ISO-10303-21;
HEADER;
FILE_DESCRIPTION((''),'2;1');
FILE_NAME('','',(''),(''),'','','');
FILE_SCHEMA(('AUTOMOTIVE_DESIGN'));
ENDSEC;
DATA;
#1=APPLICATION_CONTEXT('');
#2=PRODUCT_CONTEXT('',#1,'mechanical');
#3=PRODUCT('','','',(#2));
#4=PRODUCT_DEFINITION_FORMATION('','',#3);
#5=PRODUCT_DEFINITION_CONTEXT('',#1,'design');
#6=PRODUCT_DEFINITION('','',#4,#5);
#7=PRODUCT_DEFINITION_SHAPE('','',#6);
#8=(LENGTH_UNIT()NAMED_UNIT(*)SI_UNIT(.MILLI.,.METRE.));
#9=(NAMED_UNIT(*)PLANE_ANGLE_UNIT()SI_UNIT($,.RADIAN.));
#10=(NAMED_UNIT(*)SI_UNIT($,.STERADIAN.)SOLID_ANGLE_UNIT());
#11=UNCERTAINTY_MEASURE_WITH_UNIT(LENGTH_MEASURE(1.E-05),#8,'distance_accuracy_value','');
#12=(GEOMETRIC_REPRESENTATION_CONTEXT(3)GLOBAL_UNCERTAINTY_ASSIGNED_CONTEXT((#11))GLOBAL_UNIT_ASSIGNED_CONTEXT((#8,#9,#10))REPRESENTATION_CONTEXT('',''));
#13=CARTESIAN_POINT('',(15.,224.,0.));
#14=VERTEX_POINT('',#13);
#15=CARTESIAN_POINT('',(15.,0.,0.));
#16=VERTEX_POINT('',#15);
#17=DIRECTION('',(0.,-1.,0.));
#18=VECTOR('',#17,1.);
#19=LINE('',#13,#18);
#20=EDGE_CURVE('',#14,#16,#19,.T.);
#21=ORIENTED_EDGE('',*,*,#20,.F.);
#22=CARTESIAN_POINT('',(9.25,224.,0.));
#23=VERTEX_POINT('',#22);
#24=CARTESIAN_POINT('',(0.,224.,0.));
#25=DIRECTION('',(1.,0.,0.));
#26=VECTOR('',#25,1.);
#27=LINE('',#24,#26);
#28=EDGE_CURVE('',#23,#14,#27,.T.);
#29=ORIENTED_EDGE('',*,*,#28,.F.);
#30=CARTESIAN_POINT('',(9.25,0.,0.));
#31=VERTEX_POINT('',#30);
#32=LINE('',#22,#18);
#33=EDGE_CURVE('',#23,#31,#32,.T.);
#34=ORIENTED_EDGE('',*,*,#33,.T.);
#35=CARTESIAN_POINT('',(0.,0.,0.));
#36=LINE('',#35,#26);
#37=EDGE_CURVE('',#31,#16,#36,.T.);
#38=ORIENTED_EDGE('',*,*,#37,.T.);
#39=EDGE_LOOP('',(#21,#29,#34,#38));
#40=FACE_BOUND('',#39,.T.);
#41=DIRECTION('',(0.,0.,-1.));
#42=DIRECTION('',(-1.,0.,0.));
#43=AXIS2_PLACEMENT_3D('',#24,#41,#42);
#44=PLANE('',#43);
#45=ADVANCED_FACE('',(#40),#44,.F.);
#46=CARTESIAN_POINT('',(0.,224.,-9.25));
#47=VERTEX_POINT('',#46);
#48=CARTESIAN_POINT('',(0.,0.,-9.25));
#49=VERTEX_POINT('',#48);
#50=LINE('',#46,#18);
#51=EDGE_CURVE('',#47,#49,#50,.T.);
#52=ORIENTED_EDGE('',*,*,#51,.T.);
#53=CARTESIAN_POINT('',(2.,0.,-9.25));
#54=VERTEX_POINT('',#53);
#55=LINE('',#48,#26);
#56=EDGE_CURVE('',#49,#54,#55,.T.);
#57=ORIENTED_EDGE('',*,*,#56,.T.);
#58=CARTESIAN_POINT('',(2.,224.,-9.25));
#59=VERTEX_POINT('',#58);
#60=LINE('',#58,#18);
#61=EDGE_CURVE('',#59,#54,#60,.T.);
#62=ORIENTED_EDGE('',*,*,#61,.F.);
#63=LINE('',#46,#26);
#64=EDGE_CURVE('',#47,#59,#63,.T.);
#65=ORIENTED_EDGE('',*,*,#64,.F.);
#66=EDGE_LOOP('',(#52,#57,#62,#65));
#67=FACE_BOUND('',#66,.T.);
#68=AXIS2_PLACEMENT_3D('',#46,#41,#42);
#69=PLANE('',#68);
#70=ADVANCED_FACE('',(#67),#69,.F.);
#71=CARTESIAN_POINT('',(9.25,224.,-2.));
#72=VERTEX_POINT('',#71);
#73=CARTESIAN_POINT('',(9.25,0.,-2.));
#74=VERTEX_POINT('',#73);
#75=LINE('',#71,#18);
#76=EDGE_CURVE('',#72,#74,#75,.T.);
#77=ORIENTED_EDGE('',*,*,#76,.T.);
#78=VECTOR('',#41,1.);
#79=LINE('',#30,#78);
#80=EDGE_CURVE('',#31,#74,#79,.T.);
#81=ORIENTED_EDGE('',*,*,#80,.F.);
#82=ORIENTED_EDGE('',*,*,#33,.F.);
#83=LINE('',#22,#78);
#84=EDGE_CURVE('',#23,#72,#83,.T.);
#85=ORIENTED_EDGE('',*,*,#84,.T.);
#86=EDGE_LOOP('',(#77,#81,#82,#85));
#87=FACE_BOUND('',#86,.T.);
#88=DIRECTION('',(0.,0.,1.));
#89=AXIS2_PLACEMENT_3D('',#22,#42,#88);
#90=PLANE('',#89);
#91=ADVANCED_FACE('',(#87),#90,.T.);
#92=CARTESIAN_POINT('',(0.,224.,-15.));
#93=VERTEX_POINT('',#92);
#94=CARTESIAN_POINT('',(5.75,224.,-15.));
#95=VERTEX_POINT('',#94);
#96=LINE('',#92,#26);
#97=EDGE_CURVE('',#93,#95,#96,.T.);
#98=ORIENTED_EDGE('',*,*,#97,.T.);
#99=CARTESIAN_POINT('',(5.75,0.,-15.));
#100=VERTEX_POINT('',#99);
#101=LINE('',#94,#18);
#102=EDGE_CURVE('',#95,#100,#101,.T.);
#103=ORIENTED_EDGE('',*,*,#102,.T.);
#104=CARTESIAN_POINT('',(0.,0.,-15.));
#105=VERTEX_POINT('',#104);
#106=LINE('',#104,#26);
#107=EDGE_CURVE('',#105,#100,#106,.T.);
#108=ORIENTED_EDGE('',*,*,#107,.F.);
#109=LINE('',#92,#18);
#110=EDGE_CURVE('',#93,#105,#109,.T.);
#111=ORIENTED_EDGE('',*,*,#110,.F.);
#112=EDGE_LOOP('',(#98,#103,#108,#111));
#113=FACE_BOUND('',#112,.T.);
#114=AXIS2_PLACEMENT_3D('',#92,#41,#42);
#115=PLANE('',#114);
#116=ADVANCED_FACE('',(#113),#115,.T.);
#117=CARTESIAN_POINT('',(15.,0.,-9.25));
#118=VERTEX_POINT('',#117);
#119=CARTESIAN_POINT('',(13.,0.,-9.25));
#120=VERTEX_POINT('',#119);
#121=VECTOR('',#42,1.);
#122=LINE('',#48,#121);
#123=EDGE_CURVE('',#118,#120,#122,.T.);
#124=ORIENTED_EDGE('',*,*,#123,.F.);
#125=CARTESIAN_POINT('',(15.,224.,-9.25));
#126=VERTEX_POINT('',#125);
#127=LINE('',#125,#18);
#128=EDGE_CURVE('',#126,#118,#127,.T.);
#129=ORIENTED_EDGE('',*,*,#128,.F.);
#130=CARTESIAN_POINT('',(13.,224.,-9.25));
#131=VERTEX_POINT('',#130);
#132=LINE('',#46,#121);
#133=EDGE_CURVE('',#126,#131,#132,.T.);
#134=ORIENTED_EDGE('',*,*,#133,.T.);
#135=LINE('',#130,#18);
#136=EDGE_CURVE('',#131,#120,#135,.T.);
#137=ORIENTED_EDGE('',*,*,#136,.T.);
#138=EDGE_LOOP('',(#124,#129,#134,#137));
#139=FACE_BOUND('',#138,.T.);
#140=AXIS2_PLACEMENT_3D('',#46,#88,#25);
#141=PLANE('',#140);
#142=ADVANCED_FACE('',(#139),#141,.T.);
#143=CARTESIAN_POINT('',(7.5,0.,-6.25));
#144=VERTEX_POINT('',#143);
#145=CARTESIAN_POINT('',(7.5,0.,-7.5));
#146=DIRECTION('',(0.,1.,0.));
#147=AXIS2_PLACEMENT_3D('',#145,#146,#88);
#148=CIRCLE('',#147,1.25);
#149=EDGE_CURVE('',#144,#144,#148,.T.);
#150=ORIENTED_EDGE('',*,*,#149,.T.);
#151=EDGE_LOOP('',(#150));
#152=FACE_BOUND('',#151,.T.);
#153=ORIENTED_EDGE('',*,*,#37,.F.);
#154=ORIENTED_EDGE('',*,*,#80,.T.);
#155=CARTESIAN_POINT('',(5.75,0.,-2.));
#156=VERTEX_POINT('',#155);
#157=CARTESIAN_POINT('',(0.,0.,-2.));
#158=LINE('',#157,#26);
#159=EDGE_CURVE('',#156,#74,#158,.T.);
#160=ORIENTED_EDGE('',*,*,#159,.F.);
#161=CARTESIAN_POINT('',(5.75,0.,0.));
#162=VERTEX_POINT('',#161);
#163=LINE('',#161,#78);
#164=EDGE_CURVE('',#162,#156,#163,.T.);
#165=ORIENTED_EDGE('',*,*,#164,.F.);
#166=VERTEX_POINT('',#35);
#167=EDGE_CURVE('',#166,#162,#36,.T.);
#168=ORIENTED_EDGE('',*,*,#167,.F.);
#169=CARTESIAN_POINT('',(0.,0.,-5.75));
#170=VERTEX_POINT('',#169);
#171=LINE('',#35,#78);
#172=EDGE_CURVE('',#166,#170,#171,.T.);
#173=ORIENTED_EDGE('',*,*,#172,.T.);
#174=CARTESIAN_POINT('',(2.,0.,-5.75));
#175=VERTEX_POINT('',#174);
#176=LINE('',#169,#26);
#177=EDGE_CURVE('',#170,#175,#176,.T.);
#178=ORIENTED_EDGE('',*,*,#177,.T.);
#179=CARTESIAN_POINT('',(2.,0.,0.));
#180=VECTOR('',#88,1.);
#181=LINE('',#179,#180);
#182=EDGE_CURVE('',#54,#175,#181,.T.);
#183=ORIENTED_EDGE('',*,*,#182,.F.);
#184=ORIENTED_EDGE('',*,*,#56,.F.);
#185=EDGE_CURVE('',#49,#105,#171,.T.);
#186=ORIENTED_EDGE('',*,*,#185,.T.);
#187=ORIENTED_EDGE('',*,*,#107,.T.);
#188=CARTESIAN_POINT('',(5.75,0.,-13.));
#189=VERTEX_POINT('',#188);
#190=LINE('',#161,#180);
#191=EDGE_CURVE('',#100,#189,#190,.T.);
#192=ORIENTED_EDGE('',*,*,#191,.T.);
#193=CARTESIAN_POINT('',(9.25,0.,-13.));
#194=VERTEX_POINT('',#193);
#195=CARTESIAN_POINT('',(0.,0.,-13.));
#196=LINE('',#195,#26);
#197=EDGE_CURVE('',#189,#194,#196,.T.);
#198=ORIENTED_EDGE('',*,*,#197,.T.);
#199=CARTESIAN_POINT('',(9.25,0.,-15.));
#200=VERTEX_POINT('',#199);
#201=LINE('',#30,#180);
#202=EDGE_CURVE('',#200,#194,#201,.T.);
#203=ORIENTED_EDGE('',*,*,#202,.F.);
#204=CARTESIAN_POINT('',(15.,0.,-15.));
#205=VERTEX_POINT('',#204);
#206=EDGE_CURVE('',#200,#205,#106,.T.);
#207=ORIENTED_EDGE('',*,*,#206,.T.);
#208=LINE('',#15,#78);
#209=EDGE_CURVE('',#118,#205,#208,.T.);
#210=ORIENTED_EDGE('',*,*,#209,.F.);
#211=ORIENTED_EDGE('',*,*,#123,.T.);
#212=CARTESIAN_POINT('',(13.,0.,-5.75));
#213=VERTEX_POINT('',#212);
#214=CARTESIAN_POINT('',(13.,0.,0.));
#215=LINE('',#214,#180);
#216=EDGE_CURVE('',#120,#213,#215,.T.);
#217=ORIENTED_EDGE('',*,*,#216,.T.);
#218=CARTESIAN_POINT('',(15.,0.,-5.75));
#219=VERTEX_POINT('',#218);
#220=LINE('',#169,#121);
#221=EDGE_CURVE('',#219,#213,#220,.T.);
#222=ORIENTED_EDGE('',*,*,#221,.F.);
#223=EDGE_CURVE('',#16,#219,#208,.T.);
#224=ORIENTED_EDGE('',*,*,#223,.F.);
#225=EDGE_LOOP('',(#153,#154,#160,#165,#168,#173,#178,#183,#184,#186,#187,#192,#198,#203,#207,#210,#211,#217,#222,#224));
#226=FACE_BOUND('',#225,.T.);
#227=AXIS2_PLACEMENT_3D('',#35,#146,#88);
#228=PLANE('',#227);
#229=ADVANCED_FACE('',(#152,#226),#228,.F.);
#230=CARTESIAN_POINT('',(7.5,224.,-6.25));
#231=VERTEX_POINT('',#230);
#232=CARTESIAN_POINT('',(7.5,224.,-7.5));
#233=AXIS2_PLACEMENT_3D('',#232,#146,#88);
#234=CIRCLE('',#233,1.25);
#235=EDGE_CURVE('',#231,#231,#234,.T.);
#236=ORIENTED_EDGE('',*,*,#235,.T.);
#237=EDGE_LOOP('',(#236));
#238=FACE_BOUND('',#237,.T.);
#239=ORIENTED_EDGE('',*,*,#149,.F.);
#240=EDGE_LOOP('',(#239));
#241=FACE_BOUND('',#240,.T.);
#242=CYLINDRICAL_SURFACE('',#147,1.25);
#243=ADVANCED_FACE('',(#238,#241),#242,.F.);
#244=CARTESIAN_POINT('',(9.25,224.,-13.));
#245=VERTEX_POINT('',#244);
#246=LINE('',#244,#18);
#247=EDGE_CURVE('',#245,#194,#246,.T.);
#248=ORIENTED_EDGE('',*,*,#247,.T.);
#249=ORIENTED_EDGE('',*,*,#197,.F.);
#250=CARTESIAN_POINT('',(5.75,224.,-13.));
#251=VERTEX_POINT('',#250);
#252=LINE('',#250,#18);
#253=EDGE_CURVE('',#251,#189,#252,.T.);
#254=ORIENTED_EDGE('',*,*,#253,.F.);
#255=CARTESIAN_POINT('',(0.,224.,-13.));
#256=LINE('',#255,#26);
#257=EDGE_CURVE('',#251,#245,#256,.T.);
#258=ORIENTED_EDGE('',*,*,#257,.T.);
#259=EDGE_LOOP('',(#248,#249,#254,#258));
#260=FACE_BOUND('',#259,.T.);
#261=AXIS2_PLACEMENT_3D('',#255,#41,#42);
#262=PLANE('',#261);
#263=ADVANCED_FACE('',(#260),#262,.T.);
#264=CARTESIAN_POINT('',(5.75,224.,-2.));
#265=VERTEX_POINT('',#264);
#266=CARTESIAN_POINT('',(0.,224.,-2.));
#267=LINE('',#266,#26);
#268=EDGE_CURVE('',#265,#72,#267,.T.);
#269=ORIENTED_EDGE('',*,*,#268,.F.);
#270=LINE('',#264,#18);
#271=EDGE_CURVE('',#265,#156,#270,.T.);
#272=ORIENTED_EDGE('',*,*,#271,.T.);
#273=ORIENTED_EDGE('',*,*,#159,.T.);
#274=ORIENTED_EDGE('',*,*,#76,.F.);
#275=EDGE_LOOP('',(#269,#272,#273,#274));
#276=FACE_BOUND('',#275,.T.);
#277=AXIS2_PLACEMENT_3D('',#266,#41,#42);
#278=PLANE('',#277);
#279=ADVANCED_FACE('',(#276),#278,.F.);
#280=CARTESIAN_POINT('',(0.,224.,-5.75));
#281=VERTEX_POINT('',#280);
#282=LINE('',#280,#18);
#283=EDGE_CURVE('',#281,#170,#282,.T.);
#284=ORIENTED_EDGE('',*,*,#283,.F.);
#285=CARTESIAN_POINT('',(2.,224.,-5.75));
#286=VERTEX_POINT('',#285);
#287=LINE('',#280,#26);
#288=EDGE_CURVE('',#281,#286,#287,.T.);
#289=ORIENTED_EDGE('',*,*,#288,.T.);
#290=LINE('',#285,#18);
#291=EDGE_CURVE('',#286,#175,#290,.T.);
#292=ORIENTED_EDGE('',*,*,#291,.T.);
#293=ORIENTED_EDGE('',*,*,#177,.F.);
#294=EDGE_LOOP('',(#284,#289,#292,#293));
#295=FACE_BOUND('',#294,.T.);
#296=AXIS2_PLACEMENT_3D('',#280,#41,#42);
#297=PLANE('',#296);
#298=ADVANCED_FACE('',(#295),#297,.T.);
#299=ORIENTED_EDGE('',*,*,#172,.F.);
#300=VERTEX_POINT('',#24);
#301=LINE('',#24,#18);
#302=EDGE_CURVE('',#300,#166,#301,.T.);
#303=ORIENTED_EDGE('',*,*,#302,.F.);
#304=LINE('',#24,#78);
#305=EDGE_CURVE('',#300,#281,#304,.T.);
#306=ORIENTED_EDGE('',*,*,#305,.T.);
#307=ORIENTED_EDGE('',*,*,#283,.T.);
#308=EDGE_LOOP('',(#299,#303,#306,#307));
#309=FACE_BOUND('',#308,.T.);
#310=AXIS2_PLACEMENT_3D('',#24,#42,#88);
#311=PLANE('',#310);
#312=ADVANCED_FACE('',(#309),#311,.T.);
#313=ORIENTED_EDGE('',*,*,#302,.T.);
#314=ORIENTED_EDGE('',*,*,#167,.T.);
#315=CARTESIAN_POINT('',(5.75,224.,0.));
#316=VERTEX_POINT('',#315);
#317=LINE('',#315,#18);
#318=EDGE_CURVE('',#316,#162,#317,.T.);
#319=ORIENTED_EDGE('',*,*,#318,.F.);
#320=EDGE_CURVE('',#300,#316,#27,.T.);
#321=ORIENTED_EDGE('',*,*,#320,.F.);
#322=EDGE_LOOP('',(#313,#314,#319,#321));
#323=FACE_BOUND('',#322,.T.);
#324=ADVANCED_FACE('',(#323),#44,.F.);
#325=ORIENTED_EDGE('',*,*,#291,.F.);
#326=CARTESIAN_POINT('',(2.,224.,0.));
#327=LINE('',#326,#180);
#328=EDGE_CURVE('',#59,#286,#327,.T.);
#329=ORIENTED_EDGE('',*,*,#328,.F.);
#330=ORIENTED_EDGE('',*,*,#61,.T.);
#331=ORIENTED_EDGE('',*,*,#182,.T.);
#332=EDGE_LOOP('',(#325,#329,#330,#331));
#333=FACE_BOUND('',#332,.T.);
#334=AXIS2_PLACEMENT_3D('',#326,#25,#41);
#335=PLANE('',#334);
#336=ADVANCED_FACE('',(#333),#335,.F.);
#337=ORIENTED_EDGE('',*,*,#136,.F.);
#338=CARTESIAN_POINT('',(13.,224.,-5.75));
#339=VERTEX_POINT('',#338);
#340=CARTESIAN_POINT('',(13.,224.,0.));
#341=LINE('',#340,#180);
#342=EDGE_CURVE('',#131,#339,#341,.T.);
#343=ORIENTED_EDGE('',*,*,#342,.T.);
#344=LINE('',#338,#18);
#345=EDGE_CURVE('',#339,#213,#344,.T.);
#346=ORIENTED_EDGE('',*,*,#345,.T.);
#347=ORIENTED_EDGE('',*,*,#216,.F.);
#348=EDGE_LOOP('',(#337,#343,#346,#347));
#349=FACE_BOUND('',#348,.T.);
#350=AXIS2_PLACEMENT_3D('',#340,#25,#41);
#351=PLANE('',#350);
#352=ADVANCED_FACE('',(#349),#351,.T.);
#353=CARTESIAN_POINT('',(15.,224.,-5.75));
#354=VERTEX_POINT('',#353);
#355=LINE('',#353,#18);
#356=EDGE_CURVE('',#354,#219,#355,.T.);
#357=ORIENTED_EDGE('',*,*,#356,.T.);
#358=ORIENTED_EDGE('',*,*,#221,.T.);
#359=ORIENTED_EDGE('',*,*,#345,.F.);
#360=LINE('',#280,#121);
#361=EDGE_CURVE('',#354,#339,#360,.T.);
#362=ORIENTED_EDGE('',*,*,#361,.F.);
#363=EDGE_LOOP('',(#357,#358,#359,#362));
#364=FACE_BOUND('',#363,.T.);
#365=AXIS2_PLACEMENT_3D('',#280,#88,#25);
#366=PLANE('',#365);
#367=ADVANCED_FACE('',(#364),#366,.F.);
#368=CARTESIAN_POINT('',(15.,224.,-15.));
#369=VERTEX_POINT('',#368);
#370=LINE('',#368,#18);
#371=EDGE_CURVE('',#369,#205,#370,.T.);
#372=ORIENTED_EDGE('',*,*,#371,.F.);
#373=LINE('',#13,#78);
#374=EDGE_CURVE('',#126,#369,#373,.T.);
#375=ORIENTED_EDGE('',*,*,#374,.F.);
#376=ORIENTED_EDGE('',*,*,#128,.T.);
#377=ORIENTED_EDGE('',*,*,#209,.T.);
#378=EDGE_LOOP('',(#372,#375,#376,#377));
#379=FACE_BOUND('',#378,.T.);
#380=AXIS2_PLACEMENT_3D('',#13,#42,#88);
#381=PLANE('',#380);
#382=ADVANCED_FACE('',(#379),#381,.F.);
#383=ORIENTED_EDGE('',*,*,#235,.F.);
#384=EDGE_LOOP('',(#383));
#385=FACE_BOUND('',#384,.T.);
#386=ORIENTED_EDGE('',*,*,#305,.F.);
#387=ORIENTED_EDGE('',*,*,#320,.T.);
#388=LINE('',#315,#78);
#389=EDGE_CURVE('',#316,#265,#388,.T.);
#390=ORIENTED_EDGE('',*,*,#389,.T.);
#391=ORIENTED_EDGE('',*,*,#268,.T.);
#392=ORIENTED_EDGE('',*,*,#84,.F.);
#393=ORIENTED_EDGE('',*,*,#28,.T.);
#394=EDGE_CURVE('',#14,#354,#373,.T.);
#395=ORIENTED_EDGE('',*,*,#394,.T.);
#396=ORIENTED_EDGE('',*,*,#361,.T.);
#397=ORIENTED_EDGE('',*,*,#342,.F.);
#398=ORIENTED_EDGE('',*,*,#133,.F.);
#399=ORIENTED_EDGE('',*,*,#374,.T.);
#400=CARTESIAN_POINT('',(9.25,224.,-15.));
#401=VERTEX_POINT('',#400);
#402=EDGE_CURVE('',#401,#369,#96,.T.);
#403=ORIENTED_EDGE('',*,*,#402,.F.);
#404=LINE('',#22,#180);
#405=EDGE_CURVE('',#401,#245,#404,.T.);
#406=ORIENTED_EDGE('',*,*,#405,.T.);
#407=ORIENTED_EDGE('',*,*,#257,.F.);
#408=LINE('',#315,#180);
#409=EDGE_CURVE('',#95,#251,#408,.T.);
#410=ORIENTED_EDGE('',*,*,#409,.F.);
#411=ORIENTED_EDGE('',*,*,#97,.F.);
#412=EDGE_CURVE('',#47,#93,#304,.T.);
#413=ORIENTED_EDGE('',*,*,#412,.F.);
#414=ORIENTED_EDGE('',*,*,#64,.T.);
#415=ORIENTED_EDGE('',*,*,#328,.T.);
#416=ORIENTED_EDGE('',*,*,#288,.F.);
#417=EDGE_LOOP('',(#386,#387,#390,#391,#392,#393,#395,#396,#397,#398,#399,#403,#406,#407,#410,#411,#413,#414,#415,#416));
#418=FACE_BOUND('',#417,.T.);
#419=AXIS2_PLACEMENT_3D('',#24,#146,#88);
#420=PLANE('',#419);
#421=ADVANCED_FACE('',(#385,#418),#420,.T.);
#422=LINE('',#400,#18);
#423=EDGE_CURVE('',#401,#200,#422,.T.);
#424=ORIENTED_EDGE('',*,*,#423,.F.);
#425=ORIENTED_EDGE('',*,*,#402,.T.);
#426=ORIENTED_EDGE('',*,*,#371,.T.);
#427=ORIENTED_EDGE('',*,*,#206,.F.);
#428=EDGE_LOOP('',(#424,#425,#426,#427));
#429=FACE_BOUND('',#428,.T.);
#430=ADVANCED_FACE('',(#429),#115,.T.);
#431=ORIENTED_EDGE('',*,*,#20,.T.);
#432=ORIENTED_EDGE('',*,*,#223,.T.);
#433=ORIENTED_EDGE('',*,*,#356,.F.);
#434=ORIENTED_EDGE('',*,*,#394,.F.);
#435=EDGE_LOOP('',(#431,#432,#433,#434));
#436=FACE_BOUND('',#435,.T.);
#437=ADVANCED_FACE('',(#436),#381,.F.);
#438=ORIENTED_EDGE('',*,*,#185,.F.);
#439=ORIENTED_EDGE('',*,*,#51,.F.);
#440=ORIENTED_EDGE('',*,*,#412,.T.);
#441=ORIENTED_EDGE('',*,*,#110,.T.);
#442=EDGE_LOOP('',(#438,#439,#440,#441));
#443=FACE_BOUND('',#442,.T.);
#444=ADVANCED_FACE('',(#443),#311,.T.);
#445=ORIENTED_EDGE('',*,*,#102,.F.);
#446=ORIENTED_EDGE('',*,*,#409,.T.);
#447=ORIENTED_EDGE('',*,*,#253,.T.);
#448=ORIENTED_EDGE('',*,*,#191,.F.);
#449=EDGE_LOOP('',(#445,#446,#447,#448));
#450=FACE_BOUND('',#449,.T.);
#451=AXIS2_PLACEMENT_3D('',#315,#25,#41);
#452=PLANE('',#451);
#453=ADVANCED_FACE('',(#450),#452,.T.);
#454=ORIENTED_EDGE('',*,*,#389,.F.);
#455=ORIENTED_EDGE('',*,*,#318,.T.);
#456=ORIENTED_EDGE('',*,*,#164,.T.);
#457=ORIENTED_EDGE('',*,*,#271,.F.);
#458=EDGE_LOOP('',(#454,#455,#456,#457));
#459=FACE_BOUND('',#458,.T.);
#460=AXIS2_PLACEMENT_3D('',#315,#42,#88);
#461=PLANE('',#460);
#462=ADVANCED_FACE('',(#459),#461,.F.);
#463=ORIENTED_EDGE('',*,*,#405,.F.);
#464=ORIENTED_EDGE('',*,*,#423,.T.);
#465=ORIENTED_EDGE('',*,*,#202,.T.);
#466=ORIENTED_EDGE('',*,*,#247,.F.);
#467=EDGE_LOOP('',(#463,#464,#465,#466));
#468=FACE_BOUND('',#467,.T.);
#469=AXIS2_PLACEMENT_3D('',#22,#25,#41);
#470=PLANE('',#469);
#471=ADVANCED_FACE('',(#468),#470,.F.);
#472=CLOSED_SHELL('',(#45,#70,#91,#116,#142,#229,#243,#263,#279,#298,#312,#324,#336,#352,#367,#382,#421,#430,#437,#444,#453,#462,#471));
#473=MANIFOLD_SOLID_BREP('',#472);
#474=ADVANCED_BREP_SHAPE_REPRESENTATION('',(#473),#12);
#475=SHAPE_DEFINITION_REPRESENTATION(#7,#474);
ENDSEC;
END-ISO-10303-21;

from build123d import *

# Parameters (mm, degrees)
BOSS_EXTRUDE1_DEPTH = 224
SKETCH2_R           = 1.25
CUT_EXTRUDE1_DEPTH  = 225


with BuildPart() as part:
    # Sketch1 → Boss-Extrude1 (new body)
    with BuildSketch(Plane(origin=(0, 0, 0), x_dir=(1, 0, 0), z_dir=(0, 1, 0))):
        Polygon((0, 5.75), (0, 0), (5.75, 0), (5.75, 2), (9.25, 2), (9.25, 0), (15, 0), (15, 5.75), (13, 5.75), (13, 9.25), (15, 9.25), (15, 15), (9.25, 15), (9.25, 13), (5.75, 13), (5.75, 15), (0, 15), (0, 9.25), (2, 9.25), (2, 5.75), align=None)
    extrude(amount=BOSS_EXTRUDE1_DEPTH)

    # Sketch2 → Cut-Extrude1 (cut, through all)
    with BuildSketch(Plane(origin=(0, 224, 0), x_dir=(1, 0, 0), z_dir=(0, 1, 0))):
        with Locations((7.5, 7.5)):
            Circle(SKETCH2_R)
    extrude(amount=-CUT_EXTRUDE1_DEPTH, mode=Mode.SUBTRACT)


solid = part.part
